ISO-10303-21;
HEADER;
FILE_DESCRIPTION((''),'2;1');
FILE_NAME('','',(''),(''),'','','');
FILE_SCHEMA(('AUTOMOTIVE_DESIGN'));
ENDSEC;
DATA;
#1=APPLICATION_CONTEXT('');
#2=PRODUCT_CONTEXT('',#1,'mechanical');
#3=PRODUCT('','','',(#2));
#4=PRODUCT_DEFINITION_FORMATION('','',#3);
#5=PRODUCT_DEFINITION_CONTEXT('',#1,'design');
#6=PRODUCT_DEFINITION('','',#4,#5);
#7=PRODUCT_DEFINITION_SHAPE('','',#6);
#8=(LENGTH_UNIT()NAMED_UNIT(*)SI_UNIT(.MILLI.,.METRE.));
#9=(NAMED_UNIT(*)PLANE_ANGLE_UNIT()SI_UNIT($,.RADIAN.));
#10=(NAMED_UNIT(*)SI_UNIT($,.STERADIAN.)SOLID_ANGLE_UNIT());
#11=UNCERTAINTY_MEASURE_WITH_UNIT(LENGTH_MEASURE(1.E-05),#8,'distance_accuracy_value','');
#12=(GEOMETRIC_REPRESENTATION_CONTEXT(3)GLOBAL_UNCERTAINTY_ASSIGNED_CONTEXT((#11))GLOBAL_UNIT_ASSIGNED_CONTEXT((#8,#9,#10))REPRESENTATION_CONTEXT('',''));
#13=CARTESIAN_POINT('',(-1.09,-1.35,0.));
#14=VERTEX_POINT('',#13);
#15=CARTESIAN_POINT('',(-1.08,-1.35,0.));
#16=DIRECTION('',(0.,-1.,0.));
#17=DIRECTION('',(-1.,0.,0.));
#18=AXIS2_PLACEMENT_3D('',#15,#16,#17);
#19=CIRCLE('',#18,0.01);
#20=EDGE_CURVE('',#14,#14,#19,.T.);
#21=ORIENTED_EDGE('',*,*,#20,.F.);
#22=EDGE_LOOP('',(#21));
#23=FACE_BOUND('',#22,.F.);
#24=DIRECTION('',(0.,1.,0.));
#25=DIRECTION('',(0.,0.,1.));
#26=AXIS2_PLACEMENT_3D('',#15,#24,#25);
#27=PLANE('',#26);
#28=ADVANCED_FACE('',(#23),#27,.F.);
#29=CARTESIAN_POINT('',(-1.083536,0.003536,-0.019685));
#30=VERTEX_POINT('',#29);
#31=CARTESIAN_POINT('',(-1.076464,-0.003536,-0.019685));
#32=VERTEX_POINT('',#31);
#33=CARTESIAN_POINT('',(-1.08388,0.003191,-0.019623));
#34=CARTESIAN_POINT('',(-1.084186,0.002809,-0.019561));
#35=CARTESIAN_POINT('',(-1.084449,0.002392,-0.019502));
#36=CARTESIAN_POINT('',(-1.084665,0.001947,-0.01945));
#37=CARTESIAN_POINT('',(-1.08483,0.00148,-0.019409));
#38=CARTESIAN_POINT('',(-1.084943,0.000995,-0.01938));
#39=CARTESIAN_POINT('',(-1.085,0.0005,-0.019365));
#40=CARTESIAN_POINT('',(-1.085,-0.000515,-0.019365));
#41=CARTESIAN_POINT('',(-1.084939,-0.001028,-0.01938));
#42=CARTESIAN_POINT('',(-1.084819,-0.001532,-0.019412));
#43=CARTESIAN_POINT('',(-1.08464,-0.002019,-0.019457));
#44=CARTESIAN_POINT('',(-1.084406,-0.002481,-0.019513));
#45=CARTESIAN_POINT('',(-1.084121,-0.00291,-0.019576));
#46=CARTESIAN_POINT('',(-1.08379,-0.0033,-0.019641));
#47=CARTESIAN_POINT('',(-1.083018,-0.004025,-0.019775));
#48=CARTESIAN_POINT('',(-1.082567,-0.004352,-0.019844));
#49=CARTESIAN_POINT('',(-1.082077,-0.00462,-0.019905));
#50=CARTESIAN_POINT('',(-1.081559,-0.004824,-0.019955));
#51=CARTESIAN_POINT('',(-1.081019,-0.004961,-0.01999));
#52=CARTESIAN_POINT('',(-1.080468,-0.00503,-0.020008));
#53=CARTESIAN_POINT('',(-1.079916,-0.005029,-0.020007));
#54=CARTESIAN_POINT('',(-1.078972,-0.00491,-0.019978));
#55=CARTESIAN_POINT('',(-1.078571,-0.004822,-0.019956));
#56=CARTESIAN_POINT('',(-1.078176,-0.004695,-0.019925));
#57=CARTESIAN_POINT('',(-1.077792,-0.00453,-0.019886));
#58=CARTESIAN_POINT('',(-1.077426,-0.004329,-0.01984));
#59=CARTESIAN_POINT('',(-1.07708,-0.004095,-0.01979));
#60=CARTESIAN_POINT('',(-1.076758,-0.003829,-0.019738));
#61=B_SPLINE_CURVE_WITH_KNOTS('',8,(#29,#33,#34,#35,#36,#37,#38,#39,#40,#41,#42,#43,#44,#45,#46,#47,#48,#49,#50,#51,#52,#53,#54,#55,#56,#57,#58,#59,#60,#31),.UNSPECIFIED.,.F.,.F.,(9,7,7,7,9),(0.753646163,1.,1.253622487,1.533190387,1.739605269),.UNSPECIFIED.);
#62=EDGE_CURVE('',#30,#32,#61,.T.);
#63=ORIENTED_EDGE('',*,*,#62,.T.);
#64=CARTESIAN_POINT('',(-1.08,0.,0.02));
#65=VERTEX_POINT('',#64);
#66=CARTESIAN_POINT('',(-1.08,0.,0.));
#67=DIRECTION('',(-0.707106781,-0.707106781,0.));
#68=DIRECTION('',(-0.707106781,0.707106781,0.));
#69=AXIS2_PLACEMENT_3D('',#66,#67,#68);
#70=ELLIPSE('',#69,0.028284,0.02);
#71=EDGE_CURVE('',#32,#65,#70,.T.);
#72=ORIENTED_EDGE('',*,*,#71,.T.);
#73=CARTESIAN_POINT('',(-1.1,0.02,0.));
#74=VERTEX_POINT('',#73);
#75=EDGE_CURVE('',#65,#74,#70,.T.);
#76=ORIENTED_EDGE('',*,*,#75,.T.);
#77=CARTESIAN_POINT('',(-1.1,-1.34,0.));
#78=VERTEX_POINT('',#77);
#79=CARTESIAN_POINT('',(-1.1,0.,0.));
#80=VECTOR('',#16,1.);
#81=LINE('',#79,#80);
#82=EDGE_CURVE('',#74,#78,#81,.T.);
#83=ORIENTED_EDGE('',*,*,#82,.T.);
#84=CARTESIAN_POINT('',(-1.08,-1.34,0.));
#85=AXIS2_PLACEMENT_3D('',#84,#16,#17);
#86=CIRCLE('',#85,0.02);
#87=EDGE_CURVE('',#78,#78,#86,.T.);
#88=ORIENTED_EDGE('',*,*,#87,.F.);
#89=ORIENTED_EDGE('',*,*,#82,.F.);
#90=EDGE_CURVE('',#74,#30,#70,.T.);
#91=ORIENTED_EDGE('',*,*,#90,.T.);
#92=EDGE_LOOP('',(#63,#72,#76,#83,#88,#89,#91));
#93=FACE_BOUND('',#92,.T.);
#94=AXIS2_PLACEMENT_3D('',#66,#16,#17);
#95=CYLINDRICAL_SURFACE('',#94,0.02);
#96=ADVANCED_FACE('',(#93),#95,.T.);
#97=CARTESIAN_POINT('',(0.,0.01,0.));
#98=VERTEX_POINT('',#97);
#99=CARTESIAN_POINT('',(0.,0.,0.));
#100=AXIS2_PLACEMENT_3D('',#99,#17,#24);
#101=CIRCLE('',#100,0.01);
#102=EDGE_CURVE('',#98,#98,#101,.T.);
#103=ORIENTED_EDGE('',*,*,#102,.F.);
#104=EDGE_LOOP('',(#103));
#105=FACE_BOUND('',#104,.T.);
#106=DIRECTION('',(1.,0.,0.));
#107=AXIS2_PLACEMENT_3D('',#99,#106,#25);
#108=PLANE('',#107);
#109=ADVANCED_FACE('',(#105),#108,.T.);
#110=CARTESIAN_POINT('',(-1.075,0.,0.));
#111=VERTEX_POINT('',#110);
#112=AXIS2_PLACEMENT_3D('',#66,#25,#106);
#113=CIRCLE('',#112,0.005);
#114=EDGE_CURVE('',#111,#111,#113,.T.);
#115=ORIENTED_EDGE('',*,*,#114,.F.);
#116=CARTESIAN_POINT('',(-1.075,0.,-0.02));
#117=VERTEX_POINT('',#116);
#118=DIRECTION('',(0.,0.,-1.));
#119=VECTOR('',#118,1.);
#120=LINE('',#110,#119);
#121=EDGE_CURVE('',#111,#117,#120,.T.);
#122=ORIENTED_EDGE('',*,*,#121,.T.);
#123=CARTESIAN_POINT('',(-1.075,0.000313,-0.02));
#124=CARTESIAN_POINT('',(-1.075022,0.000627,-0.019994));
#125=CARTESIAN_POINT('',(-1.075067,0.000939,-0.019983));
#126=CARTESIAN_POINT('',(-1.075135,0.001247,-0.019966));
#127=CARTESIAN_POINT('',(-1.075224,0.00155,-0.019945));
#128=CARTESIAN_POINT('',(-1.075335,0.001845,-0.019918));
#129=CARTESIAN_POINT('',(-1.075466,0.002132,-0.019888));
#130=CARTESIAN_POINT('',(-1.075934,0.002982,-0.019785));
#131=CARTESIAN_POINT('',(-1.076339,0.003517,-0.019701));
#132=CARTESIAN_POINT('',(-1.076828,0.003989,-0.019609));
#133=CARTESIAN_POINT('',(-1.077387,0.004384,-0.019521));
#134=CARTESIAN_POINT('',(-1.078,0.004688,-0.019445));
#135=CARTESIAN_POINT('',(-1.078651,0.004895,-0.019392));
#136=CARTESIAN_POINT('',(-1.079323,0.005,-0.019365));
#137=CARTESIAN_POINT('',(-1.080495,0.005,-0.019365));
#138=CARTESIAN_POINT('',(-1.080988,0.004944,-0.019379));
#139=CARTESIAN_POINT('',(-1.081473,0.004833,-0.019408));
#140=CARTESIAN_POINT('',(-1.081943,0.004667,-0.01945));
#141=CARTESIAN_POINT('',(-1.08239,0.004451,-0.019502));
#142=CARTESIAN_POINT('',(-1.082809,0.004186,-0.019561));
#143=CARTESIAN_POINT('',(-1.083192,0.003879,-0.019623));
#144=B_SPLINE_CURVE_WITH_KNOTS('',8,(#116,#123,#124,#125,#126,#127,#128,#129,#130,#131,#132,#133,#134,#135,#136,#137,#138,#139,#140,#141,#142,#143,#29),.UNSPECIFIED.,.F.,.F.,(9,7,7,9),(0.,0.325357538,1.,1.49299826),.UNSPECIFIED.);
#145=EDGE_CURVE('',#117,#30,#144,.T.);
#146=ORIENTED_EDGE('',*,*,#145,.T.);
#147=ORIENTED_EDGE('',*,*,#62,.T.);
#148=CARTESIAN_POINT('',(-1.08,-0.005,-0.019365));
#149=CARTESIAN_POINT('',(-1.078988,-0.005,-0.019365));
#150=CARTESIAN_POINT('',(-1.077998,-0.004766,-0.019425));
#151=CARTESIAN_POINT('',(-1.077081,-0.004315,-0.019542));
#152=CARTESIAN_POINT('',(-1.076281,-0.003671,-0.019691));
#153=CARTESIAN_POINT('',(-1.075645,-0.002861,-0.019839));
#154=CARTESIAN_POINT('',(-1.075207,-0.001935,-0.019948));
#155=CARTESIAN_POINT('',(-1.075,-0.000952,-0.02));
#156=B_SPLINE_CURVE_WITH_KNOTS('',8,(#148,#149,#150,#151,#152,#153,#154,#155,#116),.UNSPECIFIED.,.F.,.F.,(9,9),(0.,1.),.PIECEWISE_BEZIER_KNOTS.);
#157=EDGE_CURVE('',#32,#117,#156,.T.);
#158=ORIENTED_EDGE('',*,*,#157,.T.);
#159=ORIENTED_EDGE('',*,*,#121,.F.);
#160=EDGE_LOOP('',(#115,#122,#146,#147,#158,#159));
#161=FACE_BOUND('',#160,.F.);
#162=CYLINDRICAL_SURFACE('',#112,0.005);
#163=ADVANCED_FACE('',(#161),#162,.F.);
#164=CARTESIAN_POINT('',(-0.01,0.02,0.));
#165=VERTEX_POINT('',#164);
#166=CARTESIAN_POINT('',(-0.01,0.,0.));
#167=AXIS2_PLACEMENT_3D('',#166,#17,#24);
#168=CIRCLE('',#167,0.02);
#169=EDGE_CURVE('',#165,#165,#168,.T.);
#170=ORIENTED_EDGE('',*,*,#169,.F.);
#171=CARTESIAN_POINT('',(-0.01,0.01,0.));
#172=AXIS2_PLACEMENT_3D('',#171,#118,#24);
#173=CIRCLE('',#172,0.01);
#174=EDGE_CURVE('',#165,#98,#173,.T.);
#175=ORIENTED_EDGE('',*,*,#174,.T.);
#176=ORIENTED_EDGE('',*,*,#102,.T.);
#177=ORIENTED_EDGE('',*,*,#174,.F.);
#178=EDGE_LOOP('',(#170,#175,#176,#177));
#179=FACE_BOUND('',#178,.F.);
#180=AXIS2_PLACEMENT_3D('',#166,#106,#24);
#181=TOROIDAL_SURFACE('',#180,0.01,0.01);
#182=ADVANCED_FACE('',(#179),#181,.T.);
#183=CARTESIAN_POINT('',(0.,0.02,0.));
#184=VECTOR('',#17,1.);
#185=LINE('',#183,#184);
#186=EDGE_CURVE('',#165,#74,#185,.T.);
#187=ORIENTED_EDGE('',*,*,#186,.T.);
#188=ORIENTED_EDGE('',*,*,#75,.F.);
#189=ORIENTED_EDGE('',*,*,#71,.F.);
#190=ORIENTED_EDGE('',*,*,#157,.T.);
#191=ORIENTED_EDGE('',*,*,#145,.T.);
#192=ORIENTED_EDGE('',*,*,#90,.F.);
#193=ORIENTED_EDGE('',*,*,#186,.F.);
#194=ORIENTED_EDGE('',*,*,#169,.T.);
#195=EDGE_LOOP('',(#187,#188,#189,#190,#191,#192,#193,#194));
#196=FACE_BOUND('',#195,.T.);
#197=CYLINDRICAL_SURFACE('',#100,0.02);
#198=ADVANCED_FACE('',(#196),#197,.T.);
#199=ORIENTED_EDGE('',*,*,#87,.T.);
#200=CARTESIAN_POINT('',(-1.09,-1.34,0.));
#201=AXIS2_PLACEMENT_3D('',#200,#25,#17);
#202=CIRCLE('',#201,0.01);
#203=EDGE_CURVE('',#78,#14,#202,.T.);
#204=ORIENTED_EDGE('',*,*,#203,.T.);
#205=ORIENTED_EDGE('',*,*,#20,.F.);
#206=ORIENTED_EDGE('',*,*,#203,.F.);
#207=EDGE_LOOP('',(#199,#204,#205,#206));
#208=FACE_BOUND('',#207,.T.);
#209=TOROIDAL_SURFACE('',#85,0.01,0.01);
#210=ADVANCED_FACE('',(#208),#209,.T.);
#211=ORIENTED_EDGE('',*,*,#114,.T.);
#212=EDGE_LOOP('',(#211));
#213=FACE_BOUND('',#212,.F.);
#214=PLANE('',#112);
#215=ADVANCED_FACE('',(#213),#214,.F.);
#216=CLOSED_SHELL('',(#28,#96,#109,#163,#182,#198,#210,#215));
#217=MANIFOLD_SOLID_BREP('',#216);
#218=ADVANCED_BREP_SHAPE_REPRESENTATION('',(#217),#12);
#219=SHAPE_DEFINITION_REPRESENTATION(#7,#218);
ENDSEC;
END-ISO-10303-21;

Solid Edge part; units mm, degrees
sketch "Sketch1" plane through (0, 0, 0) normal (0, 0, 1) x (1, 0, 0)
  line L0 (0, 0) -> (-1.08, 0)
  line L1 (-1.08, 0) -> (-1.08, -1.35)
  dimension "D1" = 1.08
  dimension "D2" = 1.35
sketch "Sketch2" plane through (0, 0, 0) normal (1, 0, 0) x (0, 1, 0)
  circle A0 centre (0, 0) radius 0.02
  dimension "D1" = 0.04
sweep "SweptProtrusion1" add profiles "Sketch2" path "Sketch1"
fillet "Round1" radius 0.01 2 edges at (-1.06, -1.35, 0) (0, -0.02, 0)
sketch "Sketch3" plane through (0, 0, 0) normal (0, 0, 1) x (1, 0, 0)
  circle A0 centre (-1.08, 0) radius 0.005
  dimension "D1" = 0.01
extrude "Cutout1" cut sketch "Sketch3" against normal through all
